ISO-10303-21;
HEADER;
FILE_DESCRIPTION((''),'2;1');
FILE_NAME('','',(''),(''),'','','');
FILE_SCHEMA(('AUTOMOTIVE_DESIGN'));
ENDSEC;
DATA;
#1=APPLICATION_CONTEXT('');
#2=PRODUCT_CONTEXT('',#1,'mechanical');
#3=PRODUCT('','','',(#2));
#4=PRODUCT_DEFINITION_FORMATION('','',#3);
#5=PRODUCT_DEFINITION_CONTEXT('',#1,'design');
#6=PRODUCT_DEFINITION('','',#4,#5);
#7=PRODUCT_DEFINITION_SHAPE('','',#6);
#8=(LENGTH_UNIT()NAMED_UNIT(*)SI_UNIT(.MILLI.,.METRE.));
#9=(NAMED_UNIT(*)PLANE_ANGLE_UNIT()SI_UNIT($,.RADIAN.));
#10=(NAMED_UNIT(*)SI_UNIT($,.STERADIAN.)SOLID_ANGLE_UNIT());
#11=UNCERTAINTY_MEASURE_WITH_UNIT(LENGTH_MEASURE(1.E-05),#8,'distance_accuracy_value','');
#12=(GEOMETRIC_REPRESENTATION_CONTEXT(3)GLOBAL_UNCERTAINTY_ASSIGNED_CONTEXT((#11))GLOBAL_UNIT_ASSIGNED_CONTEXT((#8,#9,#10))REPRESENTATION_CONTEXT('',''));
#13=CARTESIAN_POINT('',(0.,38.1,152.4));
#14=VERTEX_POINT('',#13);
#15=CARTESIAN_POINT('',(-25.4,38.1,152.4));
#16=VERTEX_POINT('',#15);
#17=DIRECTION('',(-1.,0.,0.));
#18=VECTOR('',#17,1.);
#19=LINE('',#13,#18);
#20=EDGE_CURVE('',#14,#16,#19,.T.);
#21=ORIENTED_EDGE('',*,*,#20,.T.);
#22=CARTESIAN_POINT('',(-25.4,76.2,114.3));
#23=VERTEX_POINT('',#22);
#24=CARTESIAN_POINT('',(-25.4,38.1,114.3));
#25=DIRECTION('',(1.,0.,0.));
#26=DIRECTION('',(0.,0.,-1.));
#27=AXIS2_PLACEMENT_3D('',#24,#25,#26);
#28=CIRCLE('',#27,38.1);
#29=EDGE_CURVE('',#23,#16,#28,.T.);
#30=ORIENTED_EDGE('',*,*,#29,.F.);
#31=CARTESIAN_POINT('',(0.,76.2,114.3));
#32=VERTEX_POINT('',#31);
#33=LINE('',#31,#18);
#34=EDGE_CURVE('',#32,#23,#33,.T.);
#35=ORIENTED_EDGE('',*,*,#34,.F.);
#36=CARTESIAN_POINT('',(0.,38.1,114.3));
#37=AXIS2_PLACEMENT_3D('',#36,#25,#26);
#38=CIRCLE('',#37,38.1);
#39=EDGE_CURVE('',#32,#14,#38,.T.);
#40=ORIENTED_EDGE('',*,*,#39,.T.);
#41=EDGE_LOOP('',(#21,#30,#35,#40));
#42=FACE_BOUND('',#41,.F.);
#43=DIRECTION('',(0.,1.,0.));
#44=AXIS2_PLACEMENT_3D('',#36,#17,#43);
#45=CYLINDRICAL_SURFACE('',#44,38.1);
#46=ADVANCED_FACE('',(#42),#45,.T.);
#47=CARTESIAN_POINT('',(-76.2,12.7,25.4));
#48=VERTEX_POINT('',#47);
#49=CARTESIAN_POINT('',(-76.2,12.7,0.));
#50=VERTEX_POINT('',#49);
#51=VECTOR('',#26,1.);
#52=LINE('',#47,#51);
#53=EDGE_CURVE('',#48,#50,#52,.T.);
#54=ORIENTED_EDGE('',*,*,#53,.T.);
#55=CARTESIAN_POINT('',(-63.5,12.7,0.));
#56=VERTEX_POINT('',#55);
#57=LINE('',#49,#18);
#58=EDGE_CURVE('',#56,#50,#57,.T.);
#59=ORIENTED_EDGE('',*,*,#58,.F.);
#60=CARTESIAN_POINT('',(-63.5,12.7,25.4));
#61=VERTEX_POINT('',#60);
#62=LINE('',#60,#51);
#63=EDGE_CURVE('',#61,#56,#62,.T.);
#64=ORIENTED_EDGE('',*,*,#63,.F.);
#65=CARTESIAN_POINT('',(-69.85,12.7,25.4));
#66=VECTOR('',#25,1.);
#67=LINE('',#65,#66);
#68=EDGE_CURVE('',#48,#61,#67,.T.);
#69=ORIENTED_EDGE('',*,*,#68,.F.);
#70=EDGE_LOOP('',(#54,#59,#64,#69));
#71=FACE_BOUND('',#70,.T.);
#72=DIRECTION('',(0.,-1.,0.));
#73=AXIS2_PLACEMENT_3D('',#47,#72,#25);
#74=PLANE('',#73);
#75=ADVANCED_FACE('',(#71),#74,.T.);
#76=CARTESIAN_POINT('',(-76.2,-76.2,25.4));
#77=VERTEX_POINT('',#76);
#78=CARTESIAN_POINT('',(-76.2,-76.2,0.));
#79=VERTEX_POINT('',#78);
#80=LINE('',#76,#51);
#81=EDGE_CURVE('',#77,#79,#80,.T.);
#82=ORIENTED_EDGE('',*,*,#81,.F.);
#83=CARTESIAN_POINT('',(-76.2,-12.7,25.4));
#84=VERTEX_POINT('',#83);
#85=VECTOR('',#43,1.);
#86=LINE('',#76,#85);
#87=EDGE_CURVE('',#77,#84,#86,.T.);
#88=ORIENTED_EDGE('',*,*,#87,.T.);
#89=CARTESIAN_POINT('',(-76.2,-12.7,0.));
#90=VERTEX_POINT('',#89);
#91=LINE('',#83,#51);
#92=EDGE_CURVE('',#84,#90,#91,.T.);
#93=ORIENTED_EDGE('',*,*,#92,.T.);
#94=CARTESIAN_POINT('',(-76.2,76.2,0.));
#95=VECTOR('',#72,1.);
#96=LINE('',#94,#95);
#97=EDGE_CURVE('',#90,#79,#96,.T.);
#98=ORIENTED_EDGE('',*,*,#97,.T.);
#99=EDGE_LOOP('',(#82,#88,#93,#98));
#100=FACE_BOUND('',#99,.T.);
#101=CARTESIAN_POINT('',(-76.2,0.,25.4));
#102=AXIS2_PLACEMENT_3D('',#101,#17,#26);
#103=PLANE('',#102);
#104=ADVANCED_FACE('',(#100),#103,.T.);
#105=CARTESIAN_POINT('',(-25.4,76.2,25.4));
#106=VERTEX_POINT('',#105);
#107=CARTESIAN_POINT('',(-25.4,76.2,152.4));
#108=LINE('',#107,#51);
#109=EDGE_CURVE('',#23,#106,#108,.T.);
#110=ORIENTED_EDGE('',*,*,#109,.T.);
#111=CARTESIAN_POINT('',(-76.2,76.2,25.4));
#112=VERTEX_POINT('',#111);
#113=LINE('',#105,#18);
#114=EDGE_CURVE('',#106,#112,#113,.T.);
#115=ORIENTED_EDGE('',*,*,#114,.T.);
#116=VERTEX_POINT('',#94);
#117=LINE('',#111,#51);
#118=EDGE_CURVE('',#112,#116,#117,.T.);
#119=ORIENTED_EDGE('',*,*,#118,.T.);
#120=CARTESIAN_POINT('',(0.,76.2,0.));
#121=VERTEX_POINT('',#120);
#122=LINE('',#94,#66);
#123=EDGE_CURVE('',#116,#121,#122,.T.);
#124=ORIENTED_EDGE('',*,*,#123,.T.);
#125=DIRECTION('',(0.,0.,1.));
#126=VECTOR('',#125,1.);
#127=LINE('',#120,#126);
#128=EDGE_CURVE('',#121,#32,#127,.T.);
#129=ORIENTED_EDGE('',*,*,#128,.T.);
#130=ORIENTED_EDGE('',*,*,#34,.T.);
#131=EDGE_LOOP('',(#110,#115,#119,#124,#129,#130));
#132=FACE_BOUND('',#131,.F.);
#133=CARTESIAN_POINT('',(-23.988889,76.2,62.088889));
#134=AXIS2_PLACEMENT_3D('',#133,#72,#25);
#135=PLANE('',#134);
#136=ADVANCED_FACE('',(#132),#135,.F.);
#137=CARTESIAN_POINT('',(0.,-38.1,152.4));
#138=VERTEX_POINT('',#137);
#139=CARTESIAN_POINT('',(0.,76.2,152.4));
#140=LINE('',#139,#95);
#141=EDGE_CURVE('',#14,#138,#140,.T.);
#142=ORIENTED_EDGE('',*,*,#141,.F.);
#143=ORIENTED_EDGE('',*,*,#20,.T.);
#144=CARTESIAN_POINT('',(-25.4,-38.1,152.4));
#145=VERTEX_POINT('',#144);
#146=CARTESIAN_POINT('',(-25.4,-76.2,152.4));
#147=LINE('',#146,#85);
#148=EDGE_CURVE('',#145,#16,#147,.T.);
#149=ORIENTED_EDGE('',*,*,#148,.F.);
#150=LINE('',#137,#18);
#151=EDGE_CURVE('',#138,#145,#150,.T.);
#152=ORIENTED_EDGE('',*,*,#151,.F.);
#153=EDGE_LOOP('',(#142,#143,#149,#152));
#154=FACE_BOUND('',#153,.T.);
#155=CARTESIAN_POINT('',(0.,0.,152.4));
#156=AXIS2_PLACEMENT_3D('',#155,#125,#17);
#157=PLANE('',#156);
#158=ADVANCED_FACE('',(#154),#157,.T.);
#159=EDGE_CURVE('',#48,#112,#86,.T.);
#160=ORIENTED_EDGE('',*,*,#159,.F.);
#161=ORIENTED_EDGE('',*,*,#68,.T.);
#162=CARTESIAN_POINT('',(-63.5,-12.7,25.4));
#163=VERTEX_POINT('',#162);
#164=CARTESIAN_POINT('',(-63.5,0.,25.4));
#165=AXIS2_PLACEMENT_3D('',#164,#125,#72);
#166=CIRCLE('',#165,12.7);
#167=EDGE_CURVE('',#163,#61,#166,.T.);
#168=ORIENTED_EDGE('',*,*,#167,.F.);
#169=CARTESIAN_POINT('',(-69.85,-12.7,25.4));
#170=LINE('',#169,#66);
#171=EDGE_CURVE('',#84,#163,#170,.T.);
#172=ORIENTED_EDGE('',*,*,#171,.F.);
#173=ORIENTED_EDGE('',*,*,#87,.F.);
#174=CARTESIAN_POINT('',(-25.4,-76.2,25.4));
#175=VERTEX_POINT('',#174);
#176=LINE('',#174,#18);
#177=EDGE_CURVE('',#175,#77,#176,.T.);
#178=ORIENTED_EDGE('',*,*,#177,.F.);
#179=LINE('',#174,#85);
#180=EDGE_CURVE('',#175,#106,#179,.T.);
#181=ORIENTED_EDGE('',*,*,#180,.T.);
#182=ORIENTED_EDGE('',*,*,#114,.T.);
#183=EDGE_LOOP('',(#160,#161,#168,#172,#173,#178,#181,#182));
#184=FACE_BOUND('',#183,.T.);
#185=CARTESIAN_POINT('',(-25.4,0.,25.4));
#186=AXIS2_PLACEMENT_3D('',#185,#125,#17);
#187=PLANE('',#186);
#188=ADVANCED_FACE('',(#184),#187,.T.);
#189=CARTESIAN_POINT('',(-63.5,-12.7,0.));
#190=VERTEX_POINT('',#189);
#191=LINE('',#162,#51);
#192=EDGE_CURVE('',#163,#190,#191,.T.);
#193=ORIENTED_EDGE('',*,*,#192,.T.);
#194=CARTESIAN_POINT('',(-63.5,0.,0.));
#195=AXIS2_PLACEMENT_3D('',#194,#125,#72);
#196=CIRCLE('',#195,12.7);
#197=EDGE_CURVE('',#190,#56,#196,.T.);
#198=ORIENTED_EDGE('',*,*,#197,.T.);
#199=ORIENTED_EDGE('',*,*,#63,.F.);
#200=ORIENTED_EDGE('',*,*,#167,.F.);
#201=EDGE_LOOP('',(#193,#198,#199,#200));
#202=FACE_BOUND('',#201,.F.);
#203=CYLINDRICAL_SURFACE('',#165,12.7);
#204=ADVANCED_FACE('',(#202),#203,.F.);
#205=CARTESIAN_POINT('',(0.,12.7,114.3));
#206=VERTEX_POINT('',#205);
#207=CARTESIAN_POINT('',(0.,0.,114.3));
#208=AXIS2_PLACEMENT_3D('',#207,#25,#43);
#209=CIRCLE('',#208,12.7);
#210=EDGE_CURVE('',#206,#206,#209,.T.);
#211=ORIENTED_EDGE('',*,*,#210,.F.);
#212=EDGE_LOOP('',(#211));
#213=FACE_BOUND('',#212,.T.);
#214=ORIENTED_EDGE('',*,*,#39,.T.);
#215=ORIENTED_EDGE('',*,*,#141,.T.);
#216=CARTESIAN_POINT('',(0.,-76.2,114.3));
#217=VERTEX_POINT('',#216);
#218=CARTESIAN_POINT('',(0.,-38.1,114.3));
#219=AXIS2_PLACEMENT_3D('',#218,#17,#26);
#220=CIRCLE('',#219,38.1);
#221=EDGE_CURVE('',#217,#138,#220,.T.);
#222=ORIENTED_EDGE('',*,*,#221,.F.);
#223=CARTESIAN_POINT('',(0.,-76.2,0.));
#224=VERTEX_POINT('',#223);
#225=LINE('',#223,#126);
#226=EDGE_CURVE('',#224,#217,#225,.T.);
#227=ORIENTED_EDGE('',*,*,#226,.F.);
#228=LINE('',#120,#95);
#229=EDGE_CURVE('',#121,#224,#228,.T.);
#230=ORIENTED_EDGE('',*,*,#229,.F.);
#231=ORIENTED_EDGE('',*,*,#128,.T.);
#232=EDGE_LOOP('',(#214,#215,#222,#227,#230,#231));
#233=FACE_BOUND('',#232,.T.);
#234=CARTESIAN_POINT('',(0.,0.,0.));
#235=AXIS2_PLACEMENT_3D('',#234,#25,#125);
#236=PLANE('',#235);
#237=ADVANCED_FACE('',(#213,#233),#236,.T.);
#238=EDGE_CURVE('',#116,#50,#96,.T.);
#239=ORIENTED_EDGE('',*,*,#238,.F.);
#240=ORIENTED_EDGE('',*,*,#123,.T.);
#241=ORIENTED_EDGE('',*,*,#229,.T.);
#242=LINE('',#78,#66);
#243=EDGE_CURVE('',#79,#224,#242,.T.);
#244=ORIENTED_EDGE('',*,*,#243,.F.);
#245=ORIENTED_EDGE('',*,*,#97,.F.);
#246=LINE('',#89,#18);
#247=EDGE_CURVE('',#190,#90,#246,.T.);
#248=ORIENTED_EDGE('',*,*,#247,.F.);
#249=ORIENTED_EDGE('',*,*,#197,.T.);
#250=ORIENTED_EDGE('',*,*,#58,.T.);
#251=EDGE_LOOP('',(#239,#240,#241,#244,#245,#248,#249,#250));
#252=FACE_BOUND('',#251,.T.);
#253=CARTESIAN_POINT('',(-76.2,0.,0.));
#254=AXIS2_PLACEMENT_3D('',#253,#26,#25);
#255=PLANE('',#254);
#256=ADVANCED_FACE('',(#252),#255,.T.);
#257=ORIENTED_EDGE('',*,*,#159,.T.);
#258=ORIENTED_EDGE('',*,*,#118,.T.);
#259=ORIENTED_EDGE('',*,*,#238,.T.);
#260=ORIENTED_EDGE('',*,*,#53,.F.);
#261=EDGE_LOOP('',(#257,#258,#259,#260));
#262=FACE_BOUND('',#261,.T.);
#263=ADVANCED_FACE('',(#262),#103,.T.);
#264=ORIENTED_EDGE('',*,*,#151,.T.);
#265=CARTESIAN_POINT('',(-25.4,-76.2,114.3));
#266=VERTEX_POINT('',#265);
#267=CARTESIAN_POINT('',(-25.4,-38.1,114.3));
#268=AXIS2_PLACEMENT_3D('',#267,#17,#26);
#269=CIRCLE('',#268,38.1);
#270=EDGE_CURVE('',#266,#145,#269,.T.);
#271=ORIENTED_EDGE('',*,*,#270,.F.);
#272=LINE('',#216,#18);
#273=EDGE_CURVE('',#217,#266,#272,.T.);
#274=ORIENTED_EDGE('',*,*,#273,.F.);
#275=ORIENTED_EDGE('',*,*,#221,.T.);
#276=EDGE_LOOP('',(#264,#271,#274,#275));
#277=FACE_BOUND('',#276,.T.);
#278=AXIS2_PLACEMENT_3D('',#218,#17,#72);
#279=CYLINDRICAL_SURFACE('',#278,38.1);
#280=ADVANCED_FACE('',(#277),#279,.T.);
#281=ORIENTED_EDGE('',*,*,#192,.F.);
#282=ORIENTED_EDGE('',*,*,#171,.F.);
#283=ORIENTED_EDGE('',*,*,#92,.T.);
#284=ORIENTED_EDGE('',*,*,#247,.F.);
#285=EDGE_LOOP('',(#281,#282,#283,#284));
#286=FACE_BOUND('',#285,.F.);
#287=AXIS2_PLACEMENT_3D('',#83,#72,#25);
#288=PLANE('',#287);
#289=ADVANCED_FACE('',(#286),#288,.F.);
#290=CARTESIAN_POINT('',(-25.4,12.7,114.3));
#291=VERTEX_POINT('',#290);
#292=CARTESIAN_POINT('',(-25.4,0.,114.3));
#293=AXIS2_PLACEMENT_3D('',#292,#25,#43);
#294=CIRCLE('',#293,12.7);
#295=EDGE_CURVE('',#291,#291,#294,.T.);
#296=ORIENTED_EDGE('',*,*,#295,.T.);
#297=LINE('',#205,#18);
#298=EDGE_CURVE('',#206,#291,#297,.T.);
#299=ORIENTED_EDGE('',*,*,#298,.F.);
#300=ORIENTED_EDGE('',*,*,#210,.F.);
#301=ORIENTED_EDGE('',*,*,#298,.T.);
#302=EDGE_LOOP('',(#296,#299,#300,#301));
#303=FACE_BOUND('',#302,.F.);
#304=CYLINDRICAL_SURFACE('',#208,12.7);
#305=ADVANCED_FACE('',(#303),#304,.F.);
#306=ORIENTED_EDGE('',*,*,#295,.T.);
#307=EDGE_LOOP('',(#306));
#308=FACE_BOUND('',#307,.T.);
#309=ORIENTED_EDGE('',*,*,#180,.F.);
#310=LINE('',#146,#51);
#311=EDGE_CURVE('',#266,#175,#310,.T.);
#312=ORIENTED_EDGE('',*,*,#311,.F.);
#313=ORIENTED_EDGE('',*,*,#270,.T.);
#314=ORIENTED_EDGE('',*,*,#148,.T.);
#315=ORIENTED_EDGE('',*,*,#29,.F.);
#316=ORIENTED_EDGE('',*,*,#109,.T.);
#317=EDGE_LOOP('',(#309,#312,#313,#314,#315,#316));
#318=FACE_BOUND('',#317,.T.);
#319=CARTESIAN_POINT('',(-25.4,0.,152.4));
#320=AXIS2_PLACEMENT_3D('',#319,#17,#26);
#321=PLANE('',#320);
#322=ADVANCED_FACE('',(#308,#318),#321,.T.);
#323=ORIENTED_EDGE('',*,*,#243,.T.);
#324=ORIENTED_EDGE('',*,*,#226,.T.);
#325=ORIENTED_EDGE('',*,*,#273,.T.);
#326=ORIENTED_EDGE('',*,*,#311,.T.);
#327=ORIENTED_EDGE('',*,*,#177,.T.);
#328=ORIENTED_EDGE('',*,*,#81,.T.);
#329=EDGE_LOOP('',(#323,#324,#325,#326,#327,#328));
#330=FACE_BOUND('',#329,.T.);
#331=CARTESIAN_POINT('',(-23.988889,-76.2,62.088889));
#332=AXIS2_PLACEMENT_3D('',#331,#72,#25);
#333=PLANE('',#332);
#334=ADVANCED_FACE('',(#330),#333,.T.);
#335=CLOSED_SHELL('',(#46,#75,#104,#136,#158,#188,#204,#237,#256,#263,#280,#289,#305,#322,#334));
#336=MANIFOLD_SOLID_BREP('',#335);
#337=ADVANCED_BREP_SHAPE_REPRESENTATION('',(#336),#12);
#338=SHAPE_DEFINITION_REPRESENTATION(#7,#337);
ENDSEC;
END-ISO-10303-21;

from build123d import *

# Parameters (mm, degrees)
F1_DEPTH = 76.2
F2_R     = 12.7
F3_DEPTH = 76.201
F4_W     = 12.7
F4_H     = 25.4
F5_DEPTH = 25.401
F6_R     = 38.1


with BuildPart() as f1:
    # F0 (on Front) → F1 (new body, symmetric)
    with BuildSketch(Plane.XZ):
        Polygon((-76.2, 25.4), (-76.2, 0), (0, 0), (0, 152.4), (-25.4, 152.4), (-25.4, 25.4), align=None)
    extrude(amount=F1_DEPTH, both=True)

    # F2 (on face) → F3 (cut, through all)
    with BuildSketch(Plane.YZ):
        with Locations((0, 114.3)):
            Circle(F2_R)
    extrude(amount=-F3_DEPTH, mode=Mode.SUBTRACT)

    # F4 (on face) → F5 (cut, through all)
    with BuildSketch(Plane.XY.offset(25.4)):
        with Locations((-69.85, 0)):
            Rectangle(F4_W, F4_H)
        with BuildLine():
            ThreePointArc((-63.5, -12.7), (-50.8, 0), (-63.5, 12.7))
            Line((-63.5, 12.7), (-63.5, -12.7))
        make_face()
    extrude(amount=-F5_DEPTH, mode=Mode.SUBTRACT)

    # F6
    f6_edges = [f1.edges().sort_by_distance(p)[0] for p in [
        (-12.7, 76.2, 152.4),
        (-12.7, -76.2, 152.4),
    ]]
    fillet(f6_edges, radius=F6_R)


solid = f1.part
